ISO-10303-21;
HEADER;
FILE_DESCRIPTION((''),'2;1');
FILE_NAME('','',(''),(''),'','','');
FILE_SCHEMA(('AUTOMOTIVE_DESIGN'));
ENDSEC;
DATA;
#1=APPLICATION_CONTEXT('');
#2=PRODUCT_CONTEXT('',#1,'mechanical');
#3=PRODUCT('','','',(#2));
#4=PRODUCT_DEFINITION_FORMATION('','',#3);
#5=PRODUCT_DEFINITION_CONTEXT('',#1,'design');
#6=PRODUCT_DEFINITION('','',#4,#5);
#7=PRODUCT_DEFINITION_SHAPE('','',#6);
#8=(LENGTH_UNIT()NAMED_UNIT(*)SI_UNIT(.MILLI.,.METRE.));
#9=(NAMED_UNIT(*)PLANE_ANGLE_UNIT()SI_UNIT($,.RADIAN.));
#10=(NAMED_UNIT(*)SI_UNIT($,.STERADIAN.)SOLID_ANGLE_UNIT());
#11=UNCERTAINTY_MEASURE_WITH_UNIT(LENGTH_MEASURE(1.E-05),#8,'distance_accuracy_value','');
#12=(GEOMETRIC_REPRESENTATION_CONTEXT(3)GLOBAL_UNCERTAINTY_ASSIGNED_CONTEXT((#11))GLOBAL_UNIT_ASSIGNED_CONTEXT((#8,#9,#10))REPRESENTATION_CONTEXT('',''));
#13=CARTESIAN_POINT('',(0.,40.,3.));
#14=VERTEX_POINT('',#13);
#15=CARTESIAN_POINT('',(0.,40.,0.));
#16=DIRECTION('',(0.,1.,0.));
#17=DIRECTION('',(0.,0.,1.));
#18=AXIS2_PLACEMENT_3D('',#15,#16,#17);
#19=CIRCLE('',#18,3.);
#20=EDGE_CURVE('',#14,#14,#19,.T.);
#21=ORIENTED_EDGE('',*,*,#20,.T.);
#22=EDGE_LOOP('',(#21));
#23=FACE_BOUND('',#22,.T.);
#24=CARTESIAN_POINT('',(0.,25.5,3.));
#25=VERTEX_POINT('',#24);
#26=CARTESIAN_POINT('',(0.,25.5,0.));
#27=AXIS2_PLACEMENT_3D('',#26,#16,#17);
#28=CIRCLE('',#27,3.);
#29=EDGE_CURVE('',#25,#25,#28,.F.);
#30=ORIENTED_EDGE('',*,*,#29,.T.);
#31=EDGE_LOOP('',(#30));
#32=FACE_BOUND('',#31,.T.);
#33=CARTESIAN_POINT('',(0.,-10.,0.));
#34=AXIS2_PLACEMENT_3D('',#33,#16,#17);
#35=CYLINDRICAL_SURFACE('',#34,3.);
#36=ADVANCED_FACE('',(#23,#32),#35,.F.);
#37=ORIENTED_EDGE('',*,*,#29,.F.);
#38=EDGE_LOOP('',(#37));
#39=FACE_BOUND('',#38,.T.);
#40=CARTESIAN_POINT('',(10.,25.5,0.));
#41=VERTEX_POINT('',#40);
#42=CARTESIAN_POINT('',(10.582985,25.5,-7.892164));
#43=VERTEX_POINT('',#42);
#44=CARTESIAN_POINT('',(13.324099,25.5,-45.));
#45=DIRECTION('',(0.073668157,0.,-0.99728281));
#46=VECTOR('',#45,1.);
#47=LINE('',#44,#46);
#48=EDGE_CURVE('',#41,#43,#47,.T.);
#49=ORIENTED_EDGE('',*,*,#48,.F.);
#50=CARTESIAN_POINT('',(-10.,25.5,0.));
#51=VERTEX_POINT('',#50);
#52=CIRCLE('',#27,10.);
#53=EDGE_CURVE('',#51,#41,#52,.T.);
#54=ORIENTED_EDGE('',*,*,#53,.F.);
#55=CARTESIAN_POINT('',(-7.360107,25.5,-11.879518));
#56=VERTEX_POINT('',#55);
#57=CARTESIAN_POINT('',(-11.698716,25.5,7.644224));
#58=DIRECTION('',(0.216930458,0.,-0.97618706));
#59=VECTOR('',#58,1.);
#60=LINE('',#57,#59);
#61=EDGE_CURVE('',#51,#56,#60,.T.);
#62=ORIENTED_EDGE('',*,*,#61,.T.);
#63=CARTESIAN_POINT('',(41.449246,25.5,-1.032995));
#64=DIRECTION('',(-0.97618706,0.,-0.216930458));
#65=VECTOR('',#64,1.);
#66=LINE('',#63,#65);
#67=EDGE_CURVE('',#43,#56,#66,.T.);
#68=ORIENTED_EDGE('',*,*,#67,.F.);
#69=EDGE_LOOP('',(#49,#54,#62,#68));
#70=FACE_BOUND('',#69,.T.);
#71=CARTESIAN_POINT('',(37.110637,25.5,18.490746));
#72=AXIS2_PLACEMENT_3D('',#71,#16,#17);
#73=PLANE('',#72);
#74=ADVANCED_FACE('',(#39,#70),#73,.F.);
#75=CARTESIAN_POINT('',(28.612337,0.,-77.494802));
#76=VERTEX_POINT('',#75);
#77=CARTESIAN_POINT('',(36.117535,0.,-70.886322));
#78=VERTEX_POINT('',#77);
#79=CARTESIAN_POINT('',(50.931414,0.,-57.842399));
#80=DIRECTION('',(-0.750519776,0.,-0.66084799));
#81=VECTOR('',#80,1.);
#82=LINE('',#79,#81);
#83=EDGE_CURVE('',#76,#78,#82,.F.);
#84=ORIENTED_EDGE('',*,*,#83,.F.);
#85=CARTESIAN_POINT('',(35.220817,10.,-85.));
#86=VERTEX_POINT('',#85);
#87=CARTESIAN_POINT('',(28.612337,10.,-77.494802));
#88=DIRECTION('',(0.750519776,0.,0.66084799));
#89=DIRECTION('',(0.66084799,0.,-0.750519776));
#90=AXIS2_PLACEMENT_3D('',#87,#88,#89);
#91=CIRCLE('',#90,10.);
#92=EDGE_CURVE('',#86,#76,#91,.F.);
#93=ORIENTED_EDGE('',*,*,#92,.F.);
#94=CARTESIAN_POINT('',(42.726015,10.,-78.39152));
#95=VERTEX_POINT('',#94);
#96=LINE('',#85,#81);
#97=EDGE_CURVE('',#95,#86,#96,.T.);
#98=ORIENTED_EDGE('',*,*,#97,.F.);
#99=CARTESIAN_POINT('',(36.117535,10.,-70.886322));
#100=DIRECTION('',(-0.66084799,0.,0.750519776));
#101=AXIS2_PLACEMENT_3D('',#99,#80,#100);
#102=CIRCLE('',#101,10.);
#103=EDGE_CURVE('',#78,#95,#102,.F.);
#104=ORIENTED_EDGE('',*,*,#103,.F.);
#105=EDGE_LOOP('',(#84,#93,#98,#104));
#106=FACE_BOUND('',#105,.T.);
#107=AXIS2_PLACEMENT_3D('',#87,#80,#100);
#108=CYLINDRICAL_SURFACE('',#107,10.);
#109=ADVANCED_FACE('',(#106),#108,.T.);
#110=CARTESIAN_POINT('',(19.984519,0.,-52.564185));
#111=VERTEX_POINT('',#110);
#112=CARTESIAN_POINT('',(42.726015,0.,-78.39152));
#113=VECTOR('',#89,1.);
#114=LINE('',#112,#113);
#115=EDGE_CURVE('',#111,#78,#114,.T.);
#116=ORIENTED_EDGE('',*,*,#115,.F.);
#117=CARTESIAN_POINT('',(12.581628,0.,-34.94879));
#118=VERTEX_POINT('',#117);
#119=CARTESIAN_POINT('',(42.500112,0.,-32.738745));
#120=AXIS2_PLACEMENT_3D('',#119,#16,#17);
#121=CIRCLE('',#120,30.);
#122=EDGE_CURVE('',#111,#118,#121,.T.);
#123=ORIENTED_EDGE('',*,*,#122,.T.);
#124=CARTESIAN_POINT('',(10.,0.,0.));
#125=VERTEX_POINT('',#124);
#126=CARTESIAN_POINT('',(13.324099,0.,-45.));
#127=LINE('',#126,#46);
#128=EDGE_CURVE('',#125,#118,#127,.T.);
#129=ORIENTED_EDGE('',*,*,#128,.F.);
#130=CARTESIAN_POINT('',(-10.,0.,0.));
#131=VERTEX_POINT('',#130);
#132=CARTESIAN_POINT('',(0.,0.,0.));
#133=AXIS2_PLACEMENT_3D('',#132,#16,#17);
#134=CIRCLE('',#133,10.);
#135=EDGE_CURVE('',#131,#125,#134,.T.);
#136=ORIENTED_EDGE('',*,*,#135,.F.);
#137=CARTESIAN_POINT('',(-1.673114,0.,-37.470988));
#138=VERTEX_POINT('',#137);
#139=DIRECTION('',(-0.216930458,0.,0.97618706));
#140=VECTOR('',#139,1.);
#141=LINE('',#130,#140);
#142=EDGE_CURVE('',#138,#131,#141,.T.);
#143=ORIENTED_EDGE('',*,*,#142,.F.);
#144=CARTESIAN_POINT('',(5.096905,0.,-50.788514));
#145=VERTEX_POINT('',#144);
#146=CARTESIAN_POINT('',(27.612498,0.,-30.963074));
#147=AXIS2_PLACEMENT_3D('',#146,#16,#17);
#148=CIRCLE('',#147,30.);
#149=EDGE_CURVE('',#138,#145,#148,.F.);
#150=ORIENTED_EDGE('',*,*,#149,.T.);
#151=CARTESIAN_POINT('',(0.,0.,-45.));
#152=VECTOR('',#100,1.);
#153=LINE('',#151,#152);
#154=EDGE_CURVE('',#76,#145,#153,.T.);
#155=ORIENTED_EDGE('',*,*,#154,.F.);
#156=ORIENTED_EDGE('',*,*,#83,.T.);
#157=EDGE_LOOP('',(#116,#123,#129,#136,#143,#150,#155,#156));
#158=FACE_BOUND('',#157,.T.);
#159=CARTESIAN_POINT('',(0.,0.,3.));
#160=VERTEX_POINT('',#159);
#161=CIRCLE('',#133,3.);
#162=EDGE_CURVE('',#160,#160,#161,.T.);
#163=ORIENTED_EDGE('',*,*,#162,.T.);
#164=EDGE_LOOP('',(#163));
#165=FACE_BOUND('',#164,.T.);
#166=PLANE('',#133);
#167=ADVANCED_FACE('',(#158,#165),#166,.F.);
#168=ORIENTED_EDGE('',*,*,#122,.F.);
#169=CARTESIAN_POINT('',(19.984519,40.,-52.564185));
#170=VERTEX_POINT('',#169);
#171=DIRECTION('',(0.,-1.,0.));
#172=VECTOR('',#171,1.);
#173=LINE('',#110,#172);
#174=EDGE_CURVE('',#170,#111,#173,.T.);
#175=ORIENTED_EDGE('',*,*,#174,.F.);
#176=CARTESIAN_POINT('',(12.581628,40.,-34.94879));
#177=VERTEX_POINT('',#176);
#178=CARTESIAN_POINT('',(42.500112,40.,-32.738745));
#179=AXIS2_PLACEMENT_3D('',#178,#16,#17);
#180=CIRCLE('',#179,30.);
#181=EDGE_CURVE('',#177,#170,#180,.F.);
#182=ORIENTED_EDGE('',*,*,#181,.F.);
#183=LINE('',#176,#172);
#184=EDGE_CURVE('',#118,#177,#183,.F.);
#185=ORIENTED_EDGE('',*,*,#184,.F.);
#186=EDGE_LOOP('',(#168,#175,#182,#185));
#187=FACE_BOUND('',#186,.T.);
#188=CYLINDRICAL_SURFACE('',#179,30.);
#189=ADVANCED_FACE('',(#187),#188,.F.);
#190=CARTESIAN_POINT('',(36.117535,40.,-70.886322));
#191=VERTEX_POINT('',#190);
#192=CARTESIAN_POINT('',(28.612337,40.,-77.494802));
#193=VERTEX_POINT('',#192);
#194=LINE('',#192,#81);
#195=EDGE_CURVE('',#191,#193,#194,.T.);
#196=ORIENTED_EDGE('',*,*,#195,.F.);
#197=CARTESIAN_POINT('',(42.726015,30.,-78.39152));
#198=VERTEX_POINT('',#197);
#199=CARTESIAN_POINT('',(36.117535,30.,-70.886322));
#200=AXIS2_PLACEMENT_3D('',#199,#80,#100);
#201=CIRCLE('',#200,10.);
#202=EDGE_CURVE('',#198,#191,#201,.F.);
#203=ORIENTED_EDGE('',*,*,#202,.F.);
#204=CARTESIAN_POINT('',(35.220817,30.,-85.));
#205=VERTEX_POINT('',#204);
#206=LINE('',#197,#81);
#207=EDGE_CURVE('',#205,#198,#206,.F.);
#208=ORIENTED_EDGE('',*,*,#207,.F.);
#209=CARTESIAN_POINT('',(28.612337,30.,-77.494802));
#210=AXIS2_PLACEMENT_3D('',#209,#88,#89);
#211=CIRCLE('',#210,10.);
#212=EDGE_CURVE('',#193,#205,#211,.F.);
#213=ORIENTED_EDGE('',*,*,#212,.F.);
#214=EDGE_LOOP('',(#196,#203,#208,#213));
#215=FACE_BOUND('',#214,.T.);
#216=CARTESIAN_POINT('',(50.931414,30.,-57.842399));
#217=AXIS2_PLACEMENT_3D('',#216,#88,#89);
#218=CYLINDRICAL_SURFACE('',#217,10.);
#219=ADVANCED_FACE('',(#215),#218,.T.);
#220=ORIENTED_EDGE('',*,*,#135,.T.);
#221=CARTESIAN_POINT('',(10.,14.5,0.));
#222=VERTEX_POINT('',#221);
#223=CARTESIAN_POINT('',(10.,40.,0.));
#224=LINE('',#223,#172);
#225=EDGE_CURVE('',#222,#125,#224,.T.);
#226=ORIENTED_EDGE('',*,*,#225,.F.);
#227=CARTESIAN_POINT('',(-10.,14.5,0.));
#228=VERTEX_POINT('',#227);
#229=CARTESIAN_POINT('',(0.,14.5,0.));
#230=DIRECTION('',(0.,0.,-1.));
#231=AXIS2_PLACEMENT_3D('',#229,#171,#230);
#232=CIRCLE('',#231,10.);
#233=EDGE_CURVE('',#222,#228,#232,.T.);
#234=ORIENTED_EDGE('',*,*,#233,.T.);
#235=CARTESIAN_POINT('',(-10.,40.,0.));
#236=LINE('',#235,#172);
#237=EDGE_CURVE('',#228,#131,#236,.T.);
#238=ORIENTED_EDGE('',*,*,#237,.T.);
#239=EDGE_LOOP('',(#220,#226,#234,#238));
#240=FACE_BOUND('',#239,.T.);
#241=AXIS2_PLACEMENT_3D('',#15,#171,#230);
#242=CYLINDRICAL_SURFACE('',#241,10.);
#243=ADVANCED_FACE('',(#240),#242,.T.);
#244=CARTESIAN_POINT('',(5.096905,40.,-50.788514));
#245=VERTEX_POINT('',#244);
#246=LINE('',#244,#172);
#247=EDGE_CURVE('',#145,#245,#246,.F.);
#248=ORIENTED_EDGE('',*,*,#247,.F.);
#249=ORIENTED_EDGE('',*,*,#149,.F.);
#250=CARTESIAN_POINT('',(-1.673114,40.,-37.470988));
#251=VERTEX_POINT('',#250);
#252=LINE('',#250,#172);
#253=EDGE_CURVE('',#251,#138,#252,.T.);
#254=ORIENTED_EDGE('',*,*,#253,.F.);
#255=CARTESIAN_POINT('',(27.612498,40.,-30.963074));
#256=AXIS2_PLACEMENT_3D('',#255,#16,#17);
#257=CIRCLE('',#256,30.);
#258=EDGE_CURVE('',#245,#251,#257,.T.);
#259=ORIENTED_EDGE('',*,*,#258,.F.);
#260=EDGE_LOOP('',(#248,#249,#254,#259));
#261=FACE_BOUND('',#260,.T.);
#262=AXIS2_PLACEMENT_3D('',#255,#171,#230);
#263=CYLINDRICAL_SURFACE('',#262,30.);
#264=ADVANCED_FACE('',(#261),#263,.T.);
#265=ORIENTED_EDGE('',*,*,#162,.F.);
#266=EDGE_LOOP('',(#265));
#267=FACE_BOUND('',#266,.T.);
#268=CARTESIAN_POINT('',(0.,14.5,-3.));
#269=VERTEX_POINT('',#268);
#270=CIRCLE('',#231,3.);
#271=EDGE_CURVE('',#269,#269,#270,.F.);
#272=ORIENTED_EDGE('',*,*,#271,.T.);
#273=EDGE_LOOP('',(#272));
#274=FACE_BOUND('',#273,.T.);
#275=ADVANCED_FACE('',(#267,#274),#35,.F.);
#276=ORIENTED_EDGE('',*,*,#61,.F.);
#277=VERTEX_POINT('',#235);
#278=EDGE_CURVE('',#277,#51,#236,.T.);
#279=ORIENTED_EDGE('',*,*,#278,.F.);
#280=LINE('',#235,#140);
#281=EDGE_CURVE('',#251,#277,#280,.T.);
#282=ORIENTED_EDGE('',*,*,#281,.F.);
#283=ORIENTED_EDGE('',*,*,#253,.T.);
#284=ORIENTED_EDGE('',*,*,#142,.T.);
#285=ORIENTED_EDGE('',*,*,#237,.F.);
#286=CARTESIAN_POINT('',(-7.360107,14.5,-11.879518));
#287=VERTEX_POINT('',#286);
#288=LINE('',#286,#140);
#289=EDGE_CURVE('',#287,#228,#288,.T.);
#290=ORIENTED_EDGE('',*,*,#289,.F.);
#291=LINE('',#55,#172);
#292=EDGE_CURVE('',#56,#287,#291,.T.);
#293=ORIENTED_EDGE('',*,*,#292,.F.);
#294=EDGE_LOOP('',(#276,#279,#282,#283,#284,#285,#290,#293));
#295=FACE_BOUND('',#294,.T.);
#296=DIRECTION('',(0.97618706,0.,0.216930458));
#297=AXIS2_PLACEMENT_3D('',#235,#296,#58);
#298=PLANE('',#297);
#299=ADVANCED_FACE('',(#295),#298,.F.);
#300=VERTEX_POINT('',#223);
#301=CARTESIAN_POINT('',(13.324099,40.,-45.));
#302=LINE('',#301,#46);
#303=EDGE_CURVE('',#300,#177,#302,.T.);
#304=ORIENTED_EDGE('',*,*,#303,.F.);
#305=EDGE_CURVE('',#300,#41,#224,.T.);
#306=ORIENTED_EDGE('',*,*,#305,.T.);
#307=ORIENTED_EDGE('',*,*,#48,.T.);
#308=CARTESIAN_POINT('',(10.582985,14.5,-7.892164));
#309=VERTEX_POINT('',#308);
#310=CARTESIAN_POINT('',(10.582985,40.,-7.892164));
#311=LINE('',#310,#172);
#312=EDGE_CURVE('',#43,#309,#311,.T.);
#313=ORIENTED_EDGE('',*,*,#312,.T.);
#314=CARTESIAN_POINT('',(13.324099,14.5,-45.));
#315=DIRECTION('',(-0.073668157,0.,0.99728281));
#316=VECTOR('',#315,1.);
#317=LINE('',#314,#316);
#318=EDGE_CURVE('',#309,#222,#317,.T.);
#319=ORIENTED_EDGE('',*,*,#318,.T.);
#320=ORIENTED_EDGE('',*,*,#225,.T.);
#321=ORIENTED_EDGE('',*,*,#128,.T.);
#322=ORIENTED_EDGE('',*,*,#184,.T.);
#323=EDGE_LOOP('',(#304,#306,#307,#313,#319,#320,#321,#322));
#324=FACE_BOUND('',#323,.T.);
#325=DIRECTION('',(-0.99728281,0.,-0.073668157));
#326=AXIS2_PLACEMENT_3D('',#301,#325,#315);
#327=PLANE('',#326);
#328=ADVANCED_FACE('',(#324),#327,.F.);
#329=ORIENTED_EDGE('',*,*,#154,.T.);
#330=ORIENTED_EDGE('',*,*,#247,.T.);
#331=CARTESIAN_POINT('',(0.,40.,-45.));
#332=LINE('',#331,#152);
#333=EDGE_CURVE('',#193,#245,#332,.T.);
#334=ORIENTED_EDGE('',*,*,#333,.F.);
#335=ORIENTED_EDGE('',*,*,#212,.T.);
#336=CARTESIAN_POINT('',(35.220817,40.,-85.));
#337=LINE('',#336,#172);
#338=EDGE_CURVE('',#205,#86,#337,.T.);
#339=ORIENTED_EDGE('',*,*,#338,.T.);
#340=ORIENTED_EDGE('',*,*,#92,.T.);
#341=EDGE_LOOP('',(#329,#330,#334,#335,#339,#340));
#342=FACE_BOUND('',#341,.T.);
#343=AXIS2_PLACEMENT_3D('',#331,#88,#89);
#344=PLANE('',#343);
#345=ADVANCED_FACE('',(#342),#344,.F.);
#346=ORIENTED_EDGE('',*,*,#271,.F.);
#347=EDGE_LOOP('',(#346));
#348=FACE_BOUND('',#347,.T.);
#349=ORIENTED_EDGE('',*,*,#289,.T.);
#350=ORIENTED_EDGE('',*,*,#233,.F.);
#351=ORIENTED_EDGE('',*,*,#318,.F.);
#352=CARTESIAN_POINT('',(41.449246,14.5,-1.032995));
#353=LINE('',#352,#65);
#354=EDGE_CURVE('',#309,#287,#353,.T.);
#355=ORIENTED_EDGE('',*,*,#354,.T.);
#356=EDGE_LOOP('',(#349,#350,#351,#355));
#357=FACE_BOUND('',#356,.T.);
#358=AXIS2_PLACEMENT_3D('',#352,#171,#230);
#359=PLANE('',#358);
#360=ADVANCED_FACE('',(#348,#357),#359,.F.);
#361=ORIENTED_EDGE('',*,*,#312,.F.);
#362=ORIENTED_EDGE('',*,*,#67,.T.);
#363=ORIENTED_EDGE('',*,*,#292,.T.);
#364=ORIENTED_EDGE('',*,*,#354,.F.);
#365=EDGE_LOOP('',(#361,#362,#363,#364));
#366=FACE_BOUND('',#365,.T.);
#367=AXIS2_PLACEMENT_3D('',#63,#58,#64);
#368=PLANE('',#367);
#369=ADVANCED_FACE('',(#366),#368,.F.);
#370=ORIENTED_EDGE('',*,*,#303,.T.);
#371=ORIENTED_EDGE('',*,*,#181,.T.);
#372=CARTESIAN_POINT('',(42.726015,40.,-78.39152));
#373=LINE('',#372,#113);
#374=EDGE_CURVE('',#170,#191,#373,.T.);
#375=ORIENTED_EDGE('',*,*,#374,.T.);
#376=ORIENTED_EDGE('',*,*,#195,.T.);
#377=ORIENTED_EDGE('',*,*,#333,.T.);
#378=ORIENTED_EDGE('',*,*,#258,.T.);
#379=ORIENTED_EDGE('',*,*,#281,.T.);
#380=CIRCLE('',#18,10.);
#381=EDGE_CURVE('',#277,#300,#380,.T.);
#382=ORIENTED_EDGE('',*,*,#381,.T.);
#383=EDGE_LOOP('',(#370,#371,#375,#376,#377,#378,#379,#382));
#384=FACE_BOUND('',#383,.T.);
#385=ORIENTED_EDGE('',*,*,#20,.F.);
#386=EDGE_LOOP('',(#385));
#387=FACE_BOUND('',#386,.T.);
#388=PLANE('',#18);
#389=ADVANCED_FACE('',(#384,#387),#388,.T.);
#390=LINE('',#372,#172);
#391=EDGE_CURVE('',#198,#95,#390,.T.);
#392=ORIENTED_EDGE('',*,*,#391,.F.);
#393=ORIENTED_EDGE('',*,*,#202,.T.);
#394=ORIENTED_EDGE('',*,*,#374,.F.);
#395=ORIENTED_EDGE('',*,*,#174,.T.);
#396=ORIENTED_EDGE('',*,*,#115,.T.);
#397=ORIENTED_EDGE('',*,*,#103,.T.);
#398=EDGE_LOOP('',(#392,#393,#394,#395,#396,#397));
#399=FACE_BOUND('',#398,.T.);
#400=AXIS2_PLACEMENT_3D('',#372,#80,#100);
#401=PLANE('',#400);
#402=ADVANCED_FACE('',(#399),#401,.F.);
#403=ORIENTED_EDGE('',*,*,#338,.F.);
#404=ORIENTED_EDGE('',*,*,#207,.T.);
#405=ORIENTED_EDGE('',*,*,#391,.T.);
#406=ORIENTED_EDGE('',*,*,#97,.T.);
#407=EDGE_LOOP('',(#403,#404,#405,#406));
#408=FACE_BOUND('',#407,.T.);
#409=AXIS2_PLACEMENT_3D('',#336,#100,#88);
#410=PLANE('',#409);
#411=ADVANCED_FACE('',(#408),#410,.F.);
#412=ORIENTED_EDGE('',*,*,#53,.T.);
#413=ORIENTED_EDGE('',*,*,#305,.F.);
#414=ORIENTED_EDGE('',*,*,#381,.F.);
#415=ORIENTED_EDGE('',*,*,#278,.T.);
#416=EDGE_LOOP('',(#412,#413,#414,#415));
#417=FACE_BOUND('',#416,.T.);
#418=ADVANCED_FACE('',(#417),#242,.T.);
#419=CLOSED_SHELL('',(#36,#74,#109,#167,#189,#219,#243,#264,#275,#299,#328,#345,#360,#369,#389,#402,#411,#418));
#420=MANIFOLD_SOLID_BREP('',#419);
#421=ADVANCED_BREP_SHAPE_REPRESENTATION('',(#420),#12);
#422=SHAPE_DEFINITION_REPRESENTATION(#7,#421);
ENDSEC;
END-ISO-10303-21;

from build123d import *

# Parameters (mm, degrees)
BOSS_EXTRUDE1_DEPTH = 40
FILLET1_R           = 10
FILLET2_R           = 30
FILLET3_R           = 30
SKETCH3_R           = 3
CUT_EXTRUDE1_DEPTH  = 50
SKETCH5_W           = 20
SKETCH5_H           = 11
CUT_EXTRUDE2_DEPTH  = 50


with BuildPart() as part:
    # Sketch2 → Boss-Extrude1 (new body)
    with BuildSketch(Plane(origin=(0, 0, 0), x_dir=(1, 0, 0), z_dir=(0, 1, 0))):
        with BuildLine():
            Line((-10, 0), (0, 45))
            Line((0, 45), (35.22081686, 85))
            Line((35.22081686, 85), (42.726014623, 78.391520103))
            Line((42.726014623, 78.391520103), (13.324099267, 45))
            Line((13.324099267, 45), (10, 0))
            ThreePointArc((10, 0), (0, -10), (-10, 0))
        make_face()
    extrude(amount=BOSS_EXTRUDE1_DEPTH)

    # Fillet1
    fillet1_edges = [part.edges().sort_by_distance(p)[0] for p in [
        (38.973415741, 0, -81.695760051),
        (38.973415741, 40, -81.695760051),
    ]]
    fillet(fillet1_edges, radius=FILLET1_R)

    # Fillet2
    fillet2_edges = [part.edges().sort_by_distance(p)[0] for p in [
        (0, 20, -45),
    ]]
    fillet(fillet2_edges, radius=FILLET2_R)

    # Fillet3
    fillet3_edges = [part.edges().sort_by_distance(p)[0] for p in [
        (13.324099267, 20, -45),
    ]]
    fillet(fillet3_edges, radius=FILLET3_R)

    # Sketch3 → Cut-Extrude1 (cut)
    with BuildSketch(Plane(origin=(0, 40, 0), x_dir=(1, 0, 0), z_dir=(0, 1, 0))):
        Circle(SKETCH3_R)
    extrude(amount=-CUT_EXTRUDE1_DEPTH, mode=Mode.SUBTRACT)

    # Sketch5 → Cut-Extrude2 (cut)
    with BuildSketch(Plane(origin=(-9.529411765, 0, -2.117647059), x_dir=(-0.21693045781865625, 0, 0.9761870601839528), z_dir=(-0.9761870601839528, 0, -0.21693045781865625))):
        with Locations((0, 20)):
            Rectangle(SKETCH5_W, SKETCH5_H)
    extrude(amount=-CUT_EXTRUDE2_DEPTH, mode=Mode.SUBTRACT)


solid = part.part
